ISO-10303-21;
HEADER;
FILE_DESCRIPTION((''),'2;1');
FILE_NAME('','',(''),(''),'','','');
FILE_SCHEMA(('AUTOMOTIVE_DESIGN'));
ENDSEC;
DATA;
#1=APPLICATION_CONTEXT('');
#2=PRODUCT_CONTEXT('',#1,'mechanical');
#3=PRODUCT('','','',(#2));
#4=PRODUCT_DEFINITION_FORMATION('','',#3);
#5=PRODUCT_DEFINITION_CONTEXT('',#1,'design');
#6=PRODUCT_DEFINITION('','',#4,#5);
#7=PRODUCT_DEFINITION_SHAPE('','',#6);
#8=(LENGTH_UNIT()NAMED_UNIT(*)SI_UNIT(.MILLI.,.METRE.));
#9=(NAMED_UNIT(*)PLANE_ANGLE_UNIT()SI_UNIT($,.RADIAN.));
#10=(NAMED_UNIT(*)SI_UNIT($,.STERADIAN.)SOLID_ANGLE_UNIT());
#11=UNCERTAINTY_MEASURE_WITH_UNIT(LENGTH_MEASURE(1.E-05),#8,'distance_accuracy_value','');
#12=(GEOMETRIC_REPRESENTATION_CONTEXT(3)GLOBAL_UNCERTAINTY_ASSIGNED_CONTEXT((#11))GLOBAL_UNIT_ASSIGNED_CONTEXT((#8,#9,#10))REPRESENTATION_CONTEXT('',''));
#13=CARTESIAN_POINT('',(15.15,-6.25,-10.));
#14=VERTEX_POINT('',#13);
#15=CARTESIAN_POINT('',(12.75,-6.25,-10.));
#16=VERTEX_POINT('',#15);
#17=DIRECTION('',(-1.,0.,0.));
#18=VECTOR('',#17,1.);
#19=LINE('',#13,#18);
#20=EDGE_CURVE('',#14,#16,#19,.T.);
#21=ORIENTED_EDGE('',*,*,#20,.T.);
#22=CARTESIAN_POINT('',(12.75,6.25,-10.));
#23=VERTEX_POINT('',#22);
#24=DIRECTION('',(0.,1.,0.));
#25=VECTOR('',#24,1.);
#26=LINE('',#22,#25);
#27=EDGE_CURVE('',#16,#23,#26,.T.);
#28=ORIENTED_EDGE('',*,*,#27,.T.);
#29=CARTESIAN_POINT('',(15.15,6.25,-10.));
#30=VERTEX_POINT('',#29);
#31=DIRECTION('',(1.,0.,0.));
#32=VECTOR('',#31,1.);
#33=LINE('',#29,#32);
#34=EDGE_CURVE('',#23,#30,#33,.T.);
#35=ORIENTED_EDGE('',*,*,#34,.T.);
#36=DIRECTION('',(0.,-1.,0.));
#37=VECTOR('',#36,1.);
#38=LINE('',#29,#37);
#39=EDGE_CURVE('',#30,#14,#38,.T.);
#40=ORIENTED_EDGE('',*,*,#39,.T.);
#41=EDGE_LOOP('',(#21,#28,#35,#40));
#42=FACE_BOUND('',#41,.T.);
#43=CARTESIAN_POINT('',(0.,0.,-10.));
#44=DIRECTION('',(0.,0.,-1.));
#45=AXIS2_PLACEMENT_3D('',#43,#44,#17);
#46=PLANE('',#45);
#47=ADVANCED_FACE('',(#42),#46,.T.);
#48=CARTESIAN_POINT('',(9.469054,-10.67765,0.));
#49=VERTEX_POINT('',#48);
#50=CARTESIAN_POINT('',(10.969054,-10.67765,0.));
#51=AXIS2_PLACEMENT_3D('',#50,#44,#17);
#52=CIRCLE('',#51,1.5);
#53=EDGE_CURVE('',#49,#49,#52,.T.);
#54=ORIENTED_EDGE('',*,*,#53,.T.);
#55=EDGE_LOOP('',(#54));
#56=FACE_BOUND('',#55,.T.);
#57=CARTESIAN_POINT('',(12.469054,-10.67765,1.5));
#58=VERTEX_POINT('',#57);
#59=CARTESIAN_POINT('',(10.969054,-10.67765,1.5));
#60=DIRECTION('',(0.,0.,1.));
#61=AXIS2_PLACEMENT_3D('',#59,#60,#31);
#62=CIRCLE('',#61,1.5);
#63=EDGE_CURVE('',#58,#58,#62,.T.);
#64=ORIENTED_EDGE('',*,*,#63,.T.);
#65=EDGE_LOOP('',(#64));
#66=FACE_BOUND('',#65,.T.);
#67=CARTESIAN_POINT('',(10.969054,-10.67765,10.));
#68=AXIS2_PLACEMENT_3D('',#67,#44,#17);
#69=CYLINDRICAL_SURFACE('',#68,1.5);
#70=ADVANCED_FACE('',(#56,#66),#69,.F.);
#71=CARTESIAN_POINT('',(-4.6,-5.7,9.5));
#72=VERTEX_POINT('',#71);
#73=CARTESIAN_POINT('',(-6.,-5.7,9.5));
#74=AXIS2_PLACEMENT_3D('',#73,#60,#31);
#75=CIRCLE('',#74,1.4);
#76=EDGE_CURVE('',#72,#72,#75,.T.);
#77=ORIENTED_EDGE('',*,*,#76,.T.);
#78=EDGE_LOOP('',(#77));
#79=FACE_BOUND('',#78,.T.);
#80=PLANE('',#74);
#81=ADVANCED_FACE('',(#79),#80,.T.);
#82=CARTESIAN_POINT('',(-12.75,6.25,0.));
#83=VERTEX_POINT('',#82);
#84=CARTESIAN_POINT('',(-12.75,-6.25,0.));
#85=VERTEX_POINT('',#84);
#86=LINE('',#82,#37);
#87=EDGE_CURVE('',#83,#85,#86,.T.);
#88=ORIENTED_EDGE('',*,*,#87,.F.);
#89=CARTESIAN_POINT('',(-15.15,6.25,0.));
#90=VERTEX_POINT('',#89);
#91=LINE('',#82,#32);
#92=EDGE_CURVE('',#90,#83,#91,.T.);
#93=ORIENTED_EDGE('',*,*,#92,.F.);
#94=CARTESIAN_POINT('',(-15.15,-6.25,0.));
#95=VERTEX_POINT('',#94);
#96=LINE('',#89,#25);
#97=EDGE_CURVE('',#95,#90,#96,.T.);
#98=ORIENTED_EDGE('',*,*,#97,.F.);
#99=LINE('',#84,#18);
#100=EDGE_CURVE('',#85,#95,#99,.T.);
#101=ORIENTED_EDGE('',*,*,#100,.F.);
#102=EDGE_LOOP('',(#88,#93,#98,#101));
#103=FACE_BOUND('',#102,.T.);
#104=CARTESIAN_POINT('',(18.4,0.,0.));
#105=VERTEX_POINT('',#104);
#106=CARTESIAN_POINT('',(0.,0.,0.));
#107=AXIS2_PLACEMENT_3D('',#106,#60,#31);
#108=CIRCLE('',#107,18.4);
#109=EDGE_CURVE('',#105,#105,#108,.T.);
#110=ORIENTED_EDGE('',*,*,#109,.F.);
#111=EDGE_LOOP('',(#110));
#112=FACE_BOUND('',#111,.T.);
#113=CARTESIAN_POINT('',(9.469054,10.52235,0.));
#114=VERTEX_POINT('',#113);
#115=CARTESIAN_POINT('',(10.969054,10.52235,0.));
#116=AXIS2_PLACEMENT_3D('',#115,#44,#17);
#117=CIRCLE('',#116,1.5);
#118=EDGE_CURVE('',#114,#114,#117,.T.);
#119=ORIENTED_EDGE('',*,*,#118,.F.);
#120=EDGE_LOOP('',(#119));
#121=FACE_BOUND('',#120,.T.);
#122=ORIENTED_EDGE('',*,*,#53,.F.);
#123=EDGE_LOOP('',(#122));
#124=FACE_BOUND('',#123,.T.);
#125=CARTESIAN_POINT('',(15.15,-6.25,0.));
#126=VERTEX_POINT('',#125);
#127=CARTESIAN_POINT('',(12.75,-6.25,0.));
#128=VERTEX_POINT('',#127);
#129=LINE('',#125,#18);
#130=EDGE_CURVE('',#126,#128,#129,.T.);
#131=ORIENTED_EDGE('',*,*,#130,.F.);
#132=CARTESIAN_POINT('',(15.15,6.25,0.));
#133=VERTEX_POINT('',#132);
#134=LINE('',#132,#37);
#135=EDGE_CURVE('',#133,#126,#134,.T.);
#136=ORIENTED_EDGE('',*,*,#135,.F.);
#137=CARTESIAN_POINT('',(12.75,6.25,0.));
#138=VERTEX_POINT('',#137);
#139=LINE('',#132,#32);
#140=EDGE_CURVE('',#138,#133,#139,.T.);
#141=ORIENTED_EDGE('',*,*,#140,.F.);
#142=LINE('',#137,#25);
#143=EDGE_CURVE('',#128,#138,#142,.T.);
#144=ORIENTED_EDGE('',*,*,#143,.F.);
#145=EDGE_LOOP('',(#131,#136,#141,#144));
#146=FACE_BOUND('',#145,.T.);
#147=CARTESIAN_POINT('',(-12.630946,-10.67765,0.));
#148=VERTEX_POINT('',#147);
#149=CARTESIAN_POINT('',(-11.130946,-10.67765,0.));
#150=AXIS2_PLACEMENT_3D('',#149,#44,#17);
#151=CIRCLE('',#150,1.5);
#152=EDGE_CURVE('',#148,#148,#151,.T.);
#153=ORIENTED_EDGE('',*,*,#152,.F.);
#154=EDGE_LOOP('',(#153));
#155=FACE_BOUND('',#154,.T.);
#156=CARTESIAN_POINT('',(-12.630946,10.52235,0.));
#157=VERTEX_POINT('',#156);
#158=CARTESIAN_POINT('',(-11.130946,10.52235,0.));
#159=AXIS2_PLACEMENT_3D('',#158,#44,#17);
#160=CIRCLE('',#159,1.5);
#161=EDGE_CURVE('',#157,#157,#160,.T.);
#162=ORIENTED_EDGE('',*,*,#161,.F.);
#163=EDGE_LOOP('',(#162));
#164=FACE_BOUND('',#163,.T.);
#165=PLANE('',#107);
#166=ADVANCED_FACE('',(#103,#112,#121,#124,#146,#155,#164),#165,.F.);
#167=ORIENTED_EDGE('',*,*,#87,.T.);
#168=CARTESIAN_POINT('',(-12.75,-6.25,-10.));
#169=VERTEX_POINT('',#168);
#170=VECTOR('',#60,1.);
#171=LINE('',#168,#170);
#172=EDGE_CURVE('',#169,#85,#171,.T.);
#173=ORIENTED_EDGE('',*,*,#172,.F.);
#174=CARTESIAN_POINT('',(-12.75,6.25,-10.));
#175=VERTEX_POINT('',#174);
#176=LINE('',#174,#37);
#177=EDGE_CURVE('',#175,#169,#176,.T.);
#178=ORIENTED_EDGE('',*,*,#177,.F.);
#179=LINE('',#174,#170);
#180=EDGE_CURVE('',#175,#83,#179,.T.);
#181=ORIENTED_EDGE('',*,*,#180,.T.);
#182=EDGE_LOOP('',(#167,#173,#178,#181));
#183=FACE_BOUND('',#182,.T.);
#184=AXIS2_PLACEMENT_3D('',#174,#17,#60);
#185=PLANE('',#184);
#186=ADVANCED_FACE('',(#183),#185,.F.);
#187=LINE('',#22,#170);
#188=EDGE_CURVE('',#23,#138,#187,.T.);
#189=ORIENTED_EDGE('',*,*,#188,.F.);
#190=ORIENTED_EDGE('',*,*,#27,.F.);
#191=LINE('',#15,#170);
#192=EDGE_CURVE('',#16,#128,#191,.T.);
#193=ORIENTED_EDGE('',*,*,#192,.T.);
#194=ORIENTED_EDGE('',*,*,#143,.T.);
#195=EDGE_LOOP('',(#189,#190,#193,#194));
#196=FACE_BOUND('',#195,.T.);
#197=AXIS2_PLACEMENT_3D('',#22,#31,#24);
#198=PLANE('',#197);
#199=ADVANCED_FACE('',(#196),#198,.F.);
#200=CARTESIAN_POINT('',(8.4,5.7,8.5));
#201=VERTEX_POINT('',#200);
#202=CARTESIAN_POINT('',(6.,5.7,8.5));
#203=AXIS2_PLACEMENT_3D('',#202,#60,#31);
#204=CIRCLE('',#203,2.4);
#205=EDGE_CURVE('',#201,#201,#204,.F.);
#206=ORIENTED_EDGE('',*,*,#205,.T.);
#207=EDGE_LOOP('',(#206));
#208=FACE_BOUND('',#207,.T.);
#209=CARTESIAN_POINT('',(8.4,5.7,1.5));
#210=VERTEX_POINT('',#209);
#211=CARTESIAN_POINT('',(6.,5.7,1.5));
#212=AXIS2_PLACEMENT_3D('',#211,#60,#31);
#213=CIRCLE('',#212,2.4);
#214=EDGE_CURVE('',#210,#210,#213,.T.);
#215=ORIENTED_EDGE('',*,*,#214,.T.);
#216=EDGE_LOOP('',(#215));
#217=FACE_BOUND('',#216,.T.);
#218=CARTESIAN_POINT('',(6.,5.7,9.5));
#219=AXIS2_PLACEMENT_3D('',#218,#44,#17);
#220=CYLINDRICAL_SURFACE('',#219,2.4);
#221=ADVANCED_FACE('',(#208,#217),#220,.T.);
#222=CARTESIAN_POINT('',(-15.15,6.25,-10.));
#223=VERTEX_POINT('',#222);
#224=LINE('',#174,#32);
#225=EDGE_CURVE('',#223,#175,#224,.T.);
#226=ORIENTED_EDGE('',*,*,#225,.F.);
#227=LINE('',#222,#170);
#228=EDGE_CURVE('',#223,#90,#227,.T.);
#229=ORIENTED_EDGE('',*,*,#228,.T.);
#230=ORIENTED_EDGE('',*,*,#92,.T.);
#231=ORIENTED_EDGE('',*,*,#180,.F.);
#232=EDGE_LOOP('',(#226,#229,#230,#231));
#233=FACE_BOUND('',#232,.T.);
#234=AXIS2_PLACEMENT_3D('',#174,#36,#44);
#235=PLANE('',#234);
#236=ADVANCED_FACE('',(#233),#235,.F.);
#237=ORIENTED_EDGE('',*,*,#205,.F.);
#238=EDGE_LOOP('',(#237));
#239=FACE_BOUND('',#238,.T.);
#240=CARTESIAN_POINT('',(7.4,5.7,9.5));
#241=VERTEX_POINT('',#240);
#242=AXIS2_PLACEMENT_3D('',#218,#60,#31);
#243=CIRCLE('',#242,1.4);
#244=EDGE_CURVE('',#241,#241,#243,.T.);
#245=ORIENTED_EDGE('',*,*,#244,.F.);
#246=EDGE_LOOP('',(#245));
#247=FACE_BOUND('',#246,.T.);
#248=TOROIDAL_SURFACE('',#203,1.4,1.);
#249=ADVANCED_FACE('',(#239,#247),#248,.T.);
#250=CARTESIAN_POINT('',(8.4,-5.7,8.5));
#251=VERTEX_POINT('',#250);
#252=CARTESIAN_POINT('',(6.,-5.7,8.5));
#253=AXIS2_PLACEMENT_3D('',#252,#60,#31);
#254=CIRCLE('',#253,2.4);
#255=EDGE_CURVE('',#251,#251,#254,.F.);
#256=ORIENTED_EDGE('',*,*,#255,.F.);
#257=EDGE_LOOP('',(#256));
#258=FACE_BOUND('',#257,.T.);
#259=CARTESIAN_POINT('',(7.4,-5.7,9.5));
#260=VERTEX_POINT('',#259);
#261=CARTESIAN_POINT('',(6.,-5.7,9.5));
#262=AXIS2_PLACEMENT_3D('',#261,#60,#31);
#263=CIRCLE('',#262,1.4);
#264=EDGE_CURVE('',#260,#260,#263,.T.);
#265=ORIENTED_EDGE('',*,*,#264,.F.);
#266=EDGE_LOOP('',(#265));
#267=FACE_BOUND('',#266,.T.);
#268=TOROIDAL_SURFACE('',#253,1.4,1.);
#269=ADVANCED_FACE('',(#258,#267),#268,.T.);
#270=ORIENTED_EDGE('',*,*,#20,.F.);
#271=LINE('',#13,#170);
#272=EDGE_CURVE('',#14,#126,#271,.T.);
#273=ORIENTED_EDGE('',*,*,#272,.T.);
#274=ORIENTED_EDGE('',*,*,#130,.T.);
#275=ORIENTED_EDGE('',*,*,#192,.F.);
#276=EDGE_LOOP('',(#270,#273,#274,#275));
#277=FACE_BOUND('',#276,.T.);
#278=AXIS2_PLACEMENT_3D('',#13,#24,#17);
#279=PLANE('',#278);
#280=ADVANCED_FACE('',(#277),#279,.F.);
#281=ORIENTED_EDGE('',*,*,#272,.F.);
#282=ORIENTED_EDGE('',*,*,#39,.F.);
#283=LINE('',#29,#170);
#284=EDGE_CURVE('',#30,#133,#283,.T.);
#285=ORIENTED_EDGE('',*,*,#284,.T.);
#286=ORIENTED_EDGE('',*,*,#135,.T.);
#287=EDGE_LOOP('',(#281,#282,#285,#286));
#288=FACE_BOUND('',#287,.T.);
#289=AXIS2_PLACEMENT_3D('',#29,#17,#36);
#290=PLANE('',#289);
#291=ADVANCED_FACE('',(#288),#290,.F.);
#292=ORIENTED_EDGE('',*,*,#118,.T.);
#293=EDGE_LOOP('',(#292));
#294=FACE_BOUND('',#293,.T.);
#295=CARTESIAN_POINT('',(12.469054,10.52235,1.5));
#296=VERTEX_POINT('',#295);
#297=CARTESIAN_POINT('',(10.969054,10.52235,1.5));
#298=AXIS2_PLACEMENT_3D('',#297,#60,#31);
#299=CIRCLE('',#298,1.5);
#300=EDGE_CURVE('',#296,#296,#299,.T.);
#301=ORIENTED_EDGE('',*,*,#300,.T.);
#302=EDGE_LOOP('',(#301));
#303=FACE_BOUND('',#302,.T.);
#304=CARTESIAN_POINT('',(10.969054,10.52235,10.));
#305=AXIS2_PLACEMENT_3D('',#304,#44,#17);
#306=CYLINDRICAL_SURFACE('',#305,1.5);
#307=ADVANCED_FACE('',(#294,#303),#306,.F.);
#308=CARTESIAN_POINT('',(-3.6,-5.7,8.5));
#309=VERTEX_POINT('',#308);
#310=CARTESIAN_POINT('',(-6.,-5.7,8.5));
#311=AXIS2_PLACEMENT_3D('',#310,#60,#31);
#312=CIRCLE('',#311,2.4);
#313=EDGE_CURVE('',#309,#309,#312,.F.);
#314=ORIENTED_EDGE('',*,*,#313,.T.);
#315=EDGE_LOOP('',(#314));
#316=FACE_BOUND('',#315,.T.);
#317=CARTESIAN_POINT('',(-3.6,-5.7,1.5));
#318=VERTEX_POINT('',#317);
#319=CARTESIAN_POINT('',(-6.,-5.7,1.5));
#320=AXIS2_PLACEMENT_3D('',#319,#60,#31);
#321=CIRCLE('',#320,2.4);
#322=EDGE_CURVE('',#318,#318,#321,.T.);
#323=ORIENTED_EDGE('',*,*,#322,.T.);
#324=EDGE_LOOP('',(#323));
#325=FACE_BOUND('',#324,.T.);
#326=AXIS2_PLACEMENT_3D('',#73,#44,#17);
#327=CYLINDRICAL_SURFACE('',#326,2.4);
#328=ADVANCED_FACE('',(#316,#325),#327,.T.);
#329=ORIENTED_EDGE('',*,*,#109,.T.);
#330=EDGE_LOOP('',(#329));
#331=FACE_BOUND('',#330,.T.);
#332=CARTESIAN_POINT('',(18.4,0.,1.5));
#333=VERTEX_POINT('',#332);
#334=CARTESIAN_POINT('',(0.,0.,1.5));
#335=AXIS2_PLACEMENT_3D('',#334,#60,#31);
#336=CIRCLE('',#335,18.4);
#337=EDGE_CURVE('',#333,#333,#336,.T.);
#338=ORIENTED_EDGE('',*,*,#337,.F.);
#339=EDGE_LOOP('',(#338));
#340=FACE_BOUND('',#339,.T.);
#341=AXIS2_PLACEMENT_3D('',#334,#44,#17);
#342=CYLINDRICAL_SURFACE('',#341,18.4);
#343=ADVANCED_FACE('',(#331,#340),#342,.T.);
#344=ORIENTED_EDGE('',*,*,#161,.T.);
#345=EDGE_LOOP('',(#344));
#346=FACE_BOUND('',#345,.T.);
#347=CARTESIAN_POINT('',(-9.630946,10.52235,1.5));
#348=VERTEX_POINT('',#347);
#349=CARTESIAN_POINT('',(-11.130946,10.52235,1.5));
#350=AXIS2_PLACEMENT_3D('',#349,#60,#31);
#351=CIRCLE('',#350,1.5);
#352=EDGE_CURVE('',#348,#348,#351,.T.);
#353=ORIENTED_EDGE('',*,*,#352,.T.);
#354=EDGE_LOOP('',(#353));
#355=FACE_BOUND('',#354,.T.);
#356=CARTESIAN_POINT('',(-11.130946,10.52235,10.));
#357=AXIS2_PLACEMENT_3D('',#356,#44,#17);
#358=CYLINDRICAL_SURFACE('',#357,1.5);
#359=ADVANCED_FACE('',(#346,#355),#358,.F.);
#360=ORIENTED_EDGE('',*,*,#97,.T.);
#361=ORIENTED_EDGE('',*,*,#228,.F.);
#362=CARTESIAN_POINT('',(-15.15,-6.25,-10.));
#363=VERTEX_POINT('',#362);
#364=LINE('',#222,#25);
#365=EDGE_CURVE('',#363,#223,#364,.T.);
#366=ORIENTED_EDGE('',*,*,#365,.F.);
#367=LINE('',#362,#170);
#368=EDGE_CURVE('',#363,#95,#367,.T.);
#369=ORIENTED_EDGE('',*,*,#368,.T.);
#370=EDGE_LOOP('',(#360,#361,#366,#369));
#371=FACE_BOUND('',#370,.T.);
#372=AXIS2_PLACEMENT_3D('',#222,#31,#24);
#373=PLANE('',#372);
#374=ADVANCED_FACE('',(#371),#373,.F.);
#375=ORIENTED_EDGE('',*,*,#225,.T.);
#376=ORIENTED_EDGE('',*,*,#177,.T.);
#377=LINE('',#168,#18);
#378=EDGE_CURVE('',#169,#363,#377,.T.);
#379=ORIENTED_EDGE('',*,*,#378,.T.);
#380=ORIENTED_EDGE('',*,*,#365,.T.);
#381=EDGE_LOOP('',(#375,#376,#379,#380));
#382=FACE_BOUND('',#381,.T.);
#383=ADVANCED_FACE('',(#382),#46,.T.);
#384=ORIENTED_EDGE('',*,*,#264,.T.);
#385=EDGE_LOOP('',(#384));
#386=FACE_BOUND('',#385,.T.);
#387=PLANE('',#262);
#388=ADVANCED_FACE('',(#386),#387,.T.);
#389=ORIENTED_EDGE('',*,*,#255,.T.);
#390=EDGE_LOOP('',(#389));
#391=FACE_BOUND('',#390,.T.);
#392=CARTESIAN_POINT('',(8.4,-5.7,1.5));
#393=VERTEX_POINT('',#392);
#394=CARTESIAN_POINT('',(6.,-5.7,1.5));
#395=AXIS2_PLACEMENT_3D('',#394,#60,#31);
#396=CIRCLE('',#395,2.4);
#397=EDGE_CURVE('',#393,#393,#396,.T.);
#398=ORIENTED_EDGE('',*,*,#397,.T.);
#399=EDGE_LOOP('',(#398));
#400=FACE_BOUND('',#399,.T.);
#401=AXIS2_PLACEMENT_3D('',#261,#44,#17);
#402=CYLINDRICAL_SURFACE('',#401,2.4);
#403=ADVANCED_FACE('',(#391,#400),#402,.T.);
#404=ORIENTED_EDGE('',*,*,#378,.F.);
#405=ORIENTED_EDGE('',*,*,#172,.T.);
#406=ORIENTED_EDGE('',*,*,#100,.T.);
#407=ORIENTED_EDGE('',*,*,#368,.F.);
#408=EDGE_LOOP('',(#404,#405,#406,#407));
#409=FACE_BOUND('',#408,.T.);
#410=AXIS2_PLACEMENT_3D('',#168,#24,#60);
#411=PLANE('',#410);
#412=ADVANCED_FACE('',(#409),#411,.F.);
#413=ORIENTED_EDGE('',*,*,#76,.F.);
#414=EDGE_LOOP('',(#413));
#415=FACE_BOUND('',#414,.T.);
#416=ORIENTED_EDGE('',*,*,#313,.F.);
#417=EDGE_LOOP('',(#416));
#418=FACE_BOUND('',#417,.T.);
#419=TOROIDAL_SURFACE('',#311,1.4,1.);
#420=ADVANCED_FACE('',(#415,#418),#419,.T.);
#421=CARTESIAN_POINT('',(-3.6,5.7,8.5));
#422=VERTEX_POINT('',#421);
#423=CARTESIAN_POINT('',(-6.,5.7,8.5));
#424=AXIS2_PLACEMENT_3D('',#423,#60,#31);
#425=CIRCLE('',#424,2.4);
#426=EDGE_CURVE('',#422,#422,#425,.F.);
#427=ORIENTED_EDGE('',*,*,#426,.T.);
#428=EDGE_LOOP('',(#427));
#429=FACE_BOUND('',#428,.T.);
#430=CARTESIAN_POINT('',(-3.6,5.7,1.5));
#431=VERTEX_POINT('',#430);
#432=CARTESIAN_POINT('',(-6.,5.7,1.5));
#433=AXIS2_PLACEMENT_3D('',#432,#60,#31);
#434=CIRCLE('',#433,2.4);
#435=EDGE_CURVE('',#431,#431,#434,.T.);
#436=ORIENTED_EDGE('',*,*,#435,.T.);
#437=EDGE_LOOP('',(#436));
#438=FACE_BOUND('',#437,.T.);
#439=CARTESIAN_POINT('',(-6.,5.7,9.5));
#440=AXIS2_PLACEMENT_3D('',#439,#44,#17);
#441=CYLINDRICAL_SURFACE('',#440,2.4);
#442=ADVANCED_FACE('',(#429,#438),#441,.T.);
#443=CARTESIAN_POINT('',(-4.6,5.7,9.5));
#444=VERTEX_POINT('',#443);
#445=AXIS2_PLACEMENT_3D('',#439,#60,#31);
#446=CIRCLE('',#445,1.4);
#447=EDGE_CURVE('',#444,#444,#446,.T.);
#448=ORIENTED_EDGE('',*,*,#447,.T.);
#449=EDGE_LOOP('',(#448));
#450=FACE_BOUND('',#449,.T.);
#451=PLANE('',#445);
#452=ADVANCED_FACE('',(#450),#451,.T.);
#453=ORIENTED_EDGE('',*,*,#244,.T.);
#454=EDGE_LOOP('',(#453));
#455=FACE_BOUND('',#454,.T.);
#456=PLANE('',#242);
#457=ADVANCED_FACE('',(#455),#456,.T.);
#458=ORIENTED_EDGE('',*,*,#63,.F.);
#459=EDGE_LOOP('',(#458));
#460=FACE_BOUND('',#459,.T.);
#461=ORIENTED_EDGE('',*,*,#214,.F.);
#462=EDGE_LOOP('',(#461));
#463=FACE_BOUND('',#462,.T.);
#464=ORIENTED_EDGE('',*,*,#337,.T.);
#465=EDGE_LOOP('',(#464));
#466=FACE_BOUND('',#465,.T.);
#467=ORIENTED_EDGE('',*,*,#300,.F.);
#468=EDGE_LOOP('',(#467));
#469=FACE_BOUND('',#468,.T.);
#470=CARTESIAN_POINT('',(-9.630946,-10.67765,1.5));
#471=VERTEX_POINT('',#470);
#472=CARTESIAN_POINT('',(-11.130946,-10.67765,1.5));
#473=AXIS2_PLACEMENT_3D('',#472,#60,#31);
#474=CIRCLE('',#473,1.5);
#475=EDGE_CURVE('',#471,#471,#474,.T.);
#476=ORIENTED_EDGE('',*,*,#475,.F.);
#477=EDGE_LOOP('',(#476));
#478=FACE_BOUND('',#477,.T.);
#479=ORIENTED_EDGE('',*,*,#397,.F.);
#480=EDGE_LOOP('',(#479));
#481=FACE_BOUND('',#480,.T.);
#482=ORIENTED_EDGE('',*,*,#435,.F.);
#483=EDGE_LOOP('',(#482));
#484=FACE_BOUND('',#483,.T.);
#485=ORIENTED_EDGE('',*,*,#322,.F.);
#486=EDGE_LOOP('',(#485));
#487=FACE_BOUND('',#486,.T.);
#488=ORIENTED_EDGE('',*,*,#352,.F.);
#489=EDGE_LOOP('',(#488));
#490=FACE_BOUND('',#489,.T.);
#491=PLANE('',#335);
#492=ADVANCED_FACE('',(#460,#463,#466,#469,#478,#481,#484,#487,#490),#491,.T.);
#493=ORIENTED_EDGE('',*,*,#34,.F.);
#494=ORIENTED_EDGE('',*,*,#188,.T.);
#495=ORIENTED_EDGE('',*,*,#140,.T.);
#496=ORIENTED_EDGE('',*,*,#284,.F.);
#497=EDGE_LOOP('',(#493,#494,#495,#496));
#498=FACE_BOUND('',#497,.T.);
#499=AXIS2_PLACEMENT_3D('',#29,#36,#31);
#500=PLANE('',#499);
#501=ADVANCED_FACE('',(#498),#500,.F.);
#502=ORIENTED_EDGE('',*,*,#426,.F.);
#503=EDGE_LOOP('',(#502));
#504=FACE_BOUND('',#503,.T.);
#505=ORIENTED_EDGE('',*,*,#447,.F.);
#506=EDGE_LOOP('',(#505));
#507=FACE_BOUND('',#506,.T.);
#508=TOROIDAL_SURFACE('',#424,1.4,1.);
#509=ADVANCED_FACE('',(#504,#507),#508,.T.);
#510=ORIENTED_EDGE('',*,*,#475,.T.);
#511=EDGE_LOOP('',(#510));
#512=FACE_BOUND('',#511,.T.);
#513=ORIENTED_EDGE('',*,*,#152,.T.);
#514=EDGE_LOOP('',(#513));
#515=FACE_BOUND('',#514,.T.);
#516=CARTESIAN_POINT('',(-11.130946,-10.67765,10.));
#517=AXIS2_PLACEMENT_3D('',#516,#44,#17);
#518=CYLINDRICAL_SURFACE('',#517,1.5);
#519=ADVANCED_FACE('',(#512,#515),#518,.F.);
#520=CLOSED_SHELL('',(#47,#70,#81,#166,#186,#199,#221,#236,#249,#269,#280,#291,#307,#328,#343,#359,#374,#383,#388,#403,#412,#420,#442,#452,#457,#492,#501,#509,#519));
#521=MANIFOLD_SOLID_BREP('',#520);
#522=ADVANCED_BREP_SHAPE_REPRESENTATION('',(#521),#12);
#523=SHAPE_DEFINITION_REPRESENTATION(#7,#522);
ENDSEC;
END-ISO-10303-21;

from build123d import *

# Parameters (mm, degrees)
ESQUISSE1_R             = 18.4
BOSS_EXTRU_1_DEPTH      = 1.5
ESQUISSE3_R             = 1.5
ENL_V_MAT_EXTRU_1_DEPTH = 10
ESQUISSE4_W             = 2.4
ESQUISSE4_H             = 12.5
BOSS_EXTRU_2_DEPTH      = 10
ESQUISSE5_R             = 2.4
BOSS_EXTRU_3_DEPTH      = 8
CONG_1_R                = 1


with BuildPart() as part:
    # Esquisse1 → Boss.-Extru.1 (new body)
    with BuildSketch(Plane.XY):
        Circle(ESQUISSE1_R)
    extrude(amount=BOSS_EXTRU_1_DEPTH)

    # Esquisse3 → Enlèv. mat.-Extru.1 (cut)
    with BuildSketch(Plane(origin=(0, 0, 0), x_dir=(-1, 0, 0), z_dir=(0, 0, -1))):
        with Locations((28.033142688, 46.078269557)):
            Circle(ESQUISSE3_R)
        with Locations((28.033142688, 24.878269557)):
            Circle(ESQUISSE3_R)
        with Locations((5.933142688, 24.878269557)):
            Circle(ESQUISSE3_R)
        with Locations((5.933142688, 46.078269557)):
            Circle(ESQUISSE3_R)
        with Locations((11.130946107, 10.522350341)):
            Circle(ESQUISSE3_R)
        with Locations((11.130946107, -10.677649659)):
            Circle(ESQUISSE3_R)
        with Locations((-10.969053893, -10.677649659)):
            Circle(ESQUISSE3_R)
        with Locations((-10.969053893, 10.522350341)):
            Circle(ESQUISSE3_R)
    extrude(amount=-ENL_V_MAT_EXTRU_1_DEPTH, mode=Mode.SUBTRACT)

    # Esquisse4 → Boss.-Extru.2 (add)
    with BuildSketch(Plane(origin=(0, 0, 0), x_dir=(-1, 0, 0), z_dir=(0, 0, -1))):
        with Locations((13.95, 0)):
            Rectangle(ESQUISSE4_W, ESQUISSE4_H)
        with Locations((-13.95, 0)):
            Rectangle(ESQUISSE4_W, ESQUISSE4_H)
    extrude(amount=BOSS_EXTRU_2_DEPTH)

    # Esquisse5 → Boss.-Extru.3 (add)
    with BuildSketch(Plane.XY.offset(1.5)):
        with Locations((6, 5.7)):
            Circle(ESQUISSE5_R)
        with Locations((6, -5.7)):
            Circle(ESQUISSE5_R)
        with Locations((-6, -5.7)):
            Circle(ESQUISSE5_R)
        with Locations((-6, 5.7)):
            Circle(ESQUISSE5_R)
    extrude(amount=BOSS_EXTRU_3_DEPTH)

    # Congé1
    cong_1_edges = [part.edges().sort_by_distance(p)[0] for p in [
        (3.6, 5.7, 9.5),
        (3.6, -5.7, 9.5),
        (-8.4, -5.7, 9.5),
        (-8.4, 5.7, 9.5),
    ]]
    fillet(cong_1_edges, radius=CONG_1_R)


solid = part.part
